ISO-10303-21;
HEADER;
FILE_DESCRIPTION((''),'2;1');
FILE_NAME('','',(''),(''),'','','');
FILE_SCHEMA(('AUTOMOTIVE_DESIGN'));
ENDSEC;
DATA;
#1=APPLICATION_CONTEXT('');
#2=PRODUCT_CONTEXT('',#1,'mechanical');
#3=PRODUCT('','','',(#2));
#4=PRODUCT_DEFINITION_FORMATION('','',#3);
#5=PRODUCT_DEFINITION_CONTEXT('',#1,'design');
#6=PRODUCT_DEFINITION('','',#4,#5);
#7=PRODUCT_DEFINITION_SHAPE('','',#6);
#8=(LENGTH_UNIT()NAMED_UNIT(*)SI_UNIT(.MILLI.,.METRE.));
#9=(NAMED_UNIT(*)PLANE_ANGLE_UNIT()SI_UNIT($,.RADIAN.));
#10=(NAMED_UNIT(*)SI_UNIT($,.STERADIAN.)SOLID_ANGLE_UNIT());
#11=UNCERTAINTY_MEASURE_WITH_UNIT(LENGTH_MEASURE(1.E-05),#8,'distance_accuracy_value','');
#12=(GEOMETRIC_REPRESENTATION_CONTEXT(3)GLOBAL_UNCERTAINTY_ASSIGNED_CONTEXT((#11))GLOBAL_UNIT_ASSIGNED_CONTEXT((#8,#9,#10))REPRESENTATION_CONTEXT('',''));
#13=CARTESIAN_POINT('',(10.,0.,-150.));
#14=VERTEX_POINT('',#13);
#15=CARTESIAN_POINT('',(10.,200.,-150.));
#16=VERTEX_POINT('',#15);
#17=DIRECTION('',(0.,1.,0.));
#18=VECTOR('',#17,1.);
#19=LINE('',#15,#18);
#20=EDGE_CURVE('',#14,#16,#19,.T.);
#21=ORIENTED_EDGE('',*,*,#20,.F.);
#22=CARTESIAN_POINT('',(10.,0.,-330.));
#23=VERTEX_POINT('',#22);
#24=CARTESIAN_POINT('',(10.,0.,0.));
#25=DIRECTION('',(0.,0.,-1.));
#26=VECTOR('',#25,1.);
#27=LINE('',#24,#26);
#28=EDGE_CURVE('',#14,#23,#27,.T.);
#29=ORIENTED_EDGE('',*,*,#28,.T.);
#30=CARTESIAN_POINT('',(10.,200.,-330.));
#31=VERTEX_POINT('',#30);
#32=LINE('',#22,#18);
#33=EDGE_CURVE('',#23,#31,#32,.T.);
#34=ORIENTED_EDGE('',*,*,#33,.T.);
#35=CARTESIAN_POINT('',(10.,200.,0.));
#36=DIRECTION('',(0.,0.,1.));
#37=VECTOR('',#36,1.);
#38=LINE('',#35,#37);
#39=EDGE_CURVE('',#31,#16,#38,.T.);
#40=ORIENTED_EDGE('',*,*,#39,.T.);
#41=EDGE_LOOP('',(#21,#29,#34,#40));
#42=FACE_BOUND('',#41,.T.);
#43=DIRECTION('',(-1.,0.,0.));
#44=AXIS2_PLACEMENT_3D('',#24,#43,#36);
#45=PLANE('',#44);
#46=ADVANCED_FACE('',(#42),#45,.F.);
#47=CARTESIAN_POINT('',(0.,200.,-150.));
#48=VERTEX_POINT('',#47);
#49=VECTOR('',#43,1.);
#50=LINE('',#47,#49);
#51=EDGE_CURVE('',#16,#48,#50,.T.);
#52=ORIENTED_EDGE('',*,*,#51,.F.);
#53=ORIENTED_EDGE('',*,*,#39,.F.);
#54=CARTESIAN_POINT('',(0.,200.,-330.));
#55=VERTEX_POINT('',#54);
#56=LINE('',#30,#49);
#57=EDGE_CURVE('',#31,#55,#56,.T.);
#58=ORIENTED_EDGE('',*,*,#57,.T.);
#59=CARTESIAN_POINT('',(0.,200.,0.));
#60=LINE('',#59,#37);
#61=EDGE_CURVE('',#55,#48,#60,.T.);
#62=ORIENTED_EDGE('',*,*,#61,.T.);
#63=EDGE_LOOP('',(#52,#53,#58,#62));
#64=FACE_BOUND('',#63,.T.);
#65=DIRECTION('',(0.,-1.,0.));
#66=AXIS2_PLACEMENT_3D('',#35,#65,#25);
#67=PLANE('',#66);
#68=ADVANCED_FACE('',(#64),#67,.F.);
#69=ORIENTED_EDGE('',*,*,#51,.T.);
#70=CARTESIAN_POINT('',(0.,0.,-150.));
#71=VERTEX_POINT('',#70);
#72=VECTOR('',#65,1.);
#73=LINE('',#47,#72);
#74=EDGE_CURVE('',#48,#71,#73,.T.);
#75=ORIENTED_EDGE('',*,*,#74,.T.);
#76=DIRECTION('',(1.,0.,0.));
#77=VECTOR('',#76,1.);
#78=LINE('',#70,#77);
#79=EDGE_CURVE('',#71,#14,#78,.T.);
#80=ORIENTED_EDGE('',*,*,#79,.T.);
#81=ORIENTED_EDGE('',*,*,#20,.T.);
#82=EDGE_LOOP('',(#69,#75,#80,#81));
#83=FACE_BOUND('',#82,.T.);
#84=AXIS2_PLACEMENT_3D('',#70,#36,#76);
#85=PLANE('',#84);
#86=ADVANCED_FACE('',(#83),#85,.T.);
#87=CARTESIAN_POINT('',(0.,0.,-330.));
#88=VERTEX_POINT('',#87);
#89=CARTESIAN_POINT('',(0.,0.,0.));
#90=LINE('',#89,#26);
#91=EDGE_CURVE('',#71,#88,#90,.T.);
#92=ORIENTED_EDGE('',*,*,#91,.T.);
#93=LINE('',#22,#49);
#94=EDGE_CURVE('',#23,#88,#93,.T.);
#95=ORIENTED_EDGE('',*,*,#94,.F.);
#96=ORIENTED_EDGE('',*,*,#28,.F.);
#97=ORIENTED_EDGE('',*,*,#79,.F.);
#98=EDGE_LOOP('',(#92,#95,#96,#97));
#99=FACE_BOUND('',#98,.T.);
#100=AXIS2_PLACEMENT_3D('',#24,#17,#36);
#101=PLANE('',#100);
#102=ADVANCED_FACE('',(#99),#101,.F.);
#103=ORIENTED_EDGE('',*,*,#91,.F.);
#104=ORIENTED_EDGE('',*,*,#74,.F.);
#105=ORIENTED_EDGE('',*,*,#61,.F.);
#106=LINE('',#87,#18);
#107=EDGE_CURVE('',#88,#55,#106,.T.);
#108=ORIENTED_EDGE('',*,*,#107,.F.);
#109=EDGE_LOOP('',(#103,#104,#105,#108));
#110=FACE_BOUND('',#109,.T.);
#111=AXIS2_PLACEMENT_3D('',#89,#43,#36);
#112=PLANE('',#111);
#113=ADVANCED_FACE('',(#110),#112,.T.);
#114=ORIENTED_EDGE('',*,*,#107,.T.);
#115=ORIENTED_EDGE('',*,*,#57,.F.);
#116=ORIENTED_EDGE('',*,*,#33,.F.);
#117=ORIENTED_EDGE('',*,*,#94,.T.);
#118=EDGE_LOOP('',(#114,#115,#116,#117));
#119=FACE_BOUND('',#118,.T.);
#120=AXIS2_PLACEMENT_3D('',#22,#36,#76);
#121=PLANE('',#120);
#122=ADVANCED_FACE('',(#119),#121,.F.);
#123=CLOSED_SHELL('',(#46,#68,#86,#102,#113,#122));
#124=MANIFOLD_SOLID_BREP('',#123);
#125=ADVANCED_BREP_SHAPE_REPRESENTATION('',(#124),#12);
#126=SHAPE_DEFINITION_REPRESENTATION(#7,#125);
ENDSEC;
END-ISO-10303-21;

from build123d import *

# Parameters (mm, degrees)
SKETCH2_W               = 330
SKETCH2_H               = 200
BOSS_EXTRUDE1_DEPTH     = 10
SKETCH3_R               = 5
CUT_EXTRUDE1_DEPTH      = 10
MIRROR2_COPY_1_SKETCH_R = 5
MIRROR2_COPY_1_DEPTH    = 10
SKETCH4_W               = 10
SKETCH4_H               = 200
CUT_EXTRUDE2_DEPTH      = 150


with BuildPart() as part:
    # Sketch2 → Boss-Extrude1 (new body)
    with BuildSketch(Plane(origin=(0, 0, 0), x_dir=(0, 0, -1), z_dir=(1, 0, 0))):
        with Locations((165, 100)):
            Rectangle(SKETCH2_W, SKETCH2_H)
    extrude(amount=BOSS_EXTRUDE1_DEPTH)

    # Sketch3 → Cut-Extrude1 (cut)
    with BuildSketch(Plane(origin=(10, 0, 0), x_dir=(0, 0, -1), z_dir=(1, 0, 0))):
        with Locations((16, 25)):
            Circle(SKETCH3_R)
    cut_extrude1 = extrude(amount=-CUT_EXTRUDE1_DEPTH, mode=Mode.SUBTRACT)

    # Mirror1: Cut-Extrude1 across plane
    add(cut_extrude1.mirror(Plane.ZX.offset(50)), mode=Mode.SUBTRACT)

    # Mirror2: Cut-Extrude1 across plane
    add(cut_extrude1.mirror(Plane.ZX.offset(100)), mode=Mode.SUBTRACT)

    # Mirror2 copy 1 sketch → Mirror2 copy 1 (cut)
    with BuildSketch(Plane(origin=(10, 100, 0), x_dir=(0, 0, -1), z_dir=(1, 0, 0))):
        with Locations((16, 25)):
            Circle(MIRROR2_COPY_1_SKETCH_R)
    extrude(amount=-MIRROR2_COPY_1_DEPTH, mode=Mode.SUBTRACT)

    # Sketch4 → Cut-Extrude2 (cut)
    with BuildSketch(Plane.XY):
        with Locations((5, 100)):
            Rectangle(SKETCH4_W, SKETCH4_H)
    extrude(amount=-CUT_EXTRUDE2_DEPTH, mode=Mode.SUBTRACT)


solid = part.part
